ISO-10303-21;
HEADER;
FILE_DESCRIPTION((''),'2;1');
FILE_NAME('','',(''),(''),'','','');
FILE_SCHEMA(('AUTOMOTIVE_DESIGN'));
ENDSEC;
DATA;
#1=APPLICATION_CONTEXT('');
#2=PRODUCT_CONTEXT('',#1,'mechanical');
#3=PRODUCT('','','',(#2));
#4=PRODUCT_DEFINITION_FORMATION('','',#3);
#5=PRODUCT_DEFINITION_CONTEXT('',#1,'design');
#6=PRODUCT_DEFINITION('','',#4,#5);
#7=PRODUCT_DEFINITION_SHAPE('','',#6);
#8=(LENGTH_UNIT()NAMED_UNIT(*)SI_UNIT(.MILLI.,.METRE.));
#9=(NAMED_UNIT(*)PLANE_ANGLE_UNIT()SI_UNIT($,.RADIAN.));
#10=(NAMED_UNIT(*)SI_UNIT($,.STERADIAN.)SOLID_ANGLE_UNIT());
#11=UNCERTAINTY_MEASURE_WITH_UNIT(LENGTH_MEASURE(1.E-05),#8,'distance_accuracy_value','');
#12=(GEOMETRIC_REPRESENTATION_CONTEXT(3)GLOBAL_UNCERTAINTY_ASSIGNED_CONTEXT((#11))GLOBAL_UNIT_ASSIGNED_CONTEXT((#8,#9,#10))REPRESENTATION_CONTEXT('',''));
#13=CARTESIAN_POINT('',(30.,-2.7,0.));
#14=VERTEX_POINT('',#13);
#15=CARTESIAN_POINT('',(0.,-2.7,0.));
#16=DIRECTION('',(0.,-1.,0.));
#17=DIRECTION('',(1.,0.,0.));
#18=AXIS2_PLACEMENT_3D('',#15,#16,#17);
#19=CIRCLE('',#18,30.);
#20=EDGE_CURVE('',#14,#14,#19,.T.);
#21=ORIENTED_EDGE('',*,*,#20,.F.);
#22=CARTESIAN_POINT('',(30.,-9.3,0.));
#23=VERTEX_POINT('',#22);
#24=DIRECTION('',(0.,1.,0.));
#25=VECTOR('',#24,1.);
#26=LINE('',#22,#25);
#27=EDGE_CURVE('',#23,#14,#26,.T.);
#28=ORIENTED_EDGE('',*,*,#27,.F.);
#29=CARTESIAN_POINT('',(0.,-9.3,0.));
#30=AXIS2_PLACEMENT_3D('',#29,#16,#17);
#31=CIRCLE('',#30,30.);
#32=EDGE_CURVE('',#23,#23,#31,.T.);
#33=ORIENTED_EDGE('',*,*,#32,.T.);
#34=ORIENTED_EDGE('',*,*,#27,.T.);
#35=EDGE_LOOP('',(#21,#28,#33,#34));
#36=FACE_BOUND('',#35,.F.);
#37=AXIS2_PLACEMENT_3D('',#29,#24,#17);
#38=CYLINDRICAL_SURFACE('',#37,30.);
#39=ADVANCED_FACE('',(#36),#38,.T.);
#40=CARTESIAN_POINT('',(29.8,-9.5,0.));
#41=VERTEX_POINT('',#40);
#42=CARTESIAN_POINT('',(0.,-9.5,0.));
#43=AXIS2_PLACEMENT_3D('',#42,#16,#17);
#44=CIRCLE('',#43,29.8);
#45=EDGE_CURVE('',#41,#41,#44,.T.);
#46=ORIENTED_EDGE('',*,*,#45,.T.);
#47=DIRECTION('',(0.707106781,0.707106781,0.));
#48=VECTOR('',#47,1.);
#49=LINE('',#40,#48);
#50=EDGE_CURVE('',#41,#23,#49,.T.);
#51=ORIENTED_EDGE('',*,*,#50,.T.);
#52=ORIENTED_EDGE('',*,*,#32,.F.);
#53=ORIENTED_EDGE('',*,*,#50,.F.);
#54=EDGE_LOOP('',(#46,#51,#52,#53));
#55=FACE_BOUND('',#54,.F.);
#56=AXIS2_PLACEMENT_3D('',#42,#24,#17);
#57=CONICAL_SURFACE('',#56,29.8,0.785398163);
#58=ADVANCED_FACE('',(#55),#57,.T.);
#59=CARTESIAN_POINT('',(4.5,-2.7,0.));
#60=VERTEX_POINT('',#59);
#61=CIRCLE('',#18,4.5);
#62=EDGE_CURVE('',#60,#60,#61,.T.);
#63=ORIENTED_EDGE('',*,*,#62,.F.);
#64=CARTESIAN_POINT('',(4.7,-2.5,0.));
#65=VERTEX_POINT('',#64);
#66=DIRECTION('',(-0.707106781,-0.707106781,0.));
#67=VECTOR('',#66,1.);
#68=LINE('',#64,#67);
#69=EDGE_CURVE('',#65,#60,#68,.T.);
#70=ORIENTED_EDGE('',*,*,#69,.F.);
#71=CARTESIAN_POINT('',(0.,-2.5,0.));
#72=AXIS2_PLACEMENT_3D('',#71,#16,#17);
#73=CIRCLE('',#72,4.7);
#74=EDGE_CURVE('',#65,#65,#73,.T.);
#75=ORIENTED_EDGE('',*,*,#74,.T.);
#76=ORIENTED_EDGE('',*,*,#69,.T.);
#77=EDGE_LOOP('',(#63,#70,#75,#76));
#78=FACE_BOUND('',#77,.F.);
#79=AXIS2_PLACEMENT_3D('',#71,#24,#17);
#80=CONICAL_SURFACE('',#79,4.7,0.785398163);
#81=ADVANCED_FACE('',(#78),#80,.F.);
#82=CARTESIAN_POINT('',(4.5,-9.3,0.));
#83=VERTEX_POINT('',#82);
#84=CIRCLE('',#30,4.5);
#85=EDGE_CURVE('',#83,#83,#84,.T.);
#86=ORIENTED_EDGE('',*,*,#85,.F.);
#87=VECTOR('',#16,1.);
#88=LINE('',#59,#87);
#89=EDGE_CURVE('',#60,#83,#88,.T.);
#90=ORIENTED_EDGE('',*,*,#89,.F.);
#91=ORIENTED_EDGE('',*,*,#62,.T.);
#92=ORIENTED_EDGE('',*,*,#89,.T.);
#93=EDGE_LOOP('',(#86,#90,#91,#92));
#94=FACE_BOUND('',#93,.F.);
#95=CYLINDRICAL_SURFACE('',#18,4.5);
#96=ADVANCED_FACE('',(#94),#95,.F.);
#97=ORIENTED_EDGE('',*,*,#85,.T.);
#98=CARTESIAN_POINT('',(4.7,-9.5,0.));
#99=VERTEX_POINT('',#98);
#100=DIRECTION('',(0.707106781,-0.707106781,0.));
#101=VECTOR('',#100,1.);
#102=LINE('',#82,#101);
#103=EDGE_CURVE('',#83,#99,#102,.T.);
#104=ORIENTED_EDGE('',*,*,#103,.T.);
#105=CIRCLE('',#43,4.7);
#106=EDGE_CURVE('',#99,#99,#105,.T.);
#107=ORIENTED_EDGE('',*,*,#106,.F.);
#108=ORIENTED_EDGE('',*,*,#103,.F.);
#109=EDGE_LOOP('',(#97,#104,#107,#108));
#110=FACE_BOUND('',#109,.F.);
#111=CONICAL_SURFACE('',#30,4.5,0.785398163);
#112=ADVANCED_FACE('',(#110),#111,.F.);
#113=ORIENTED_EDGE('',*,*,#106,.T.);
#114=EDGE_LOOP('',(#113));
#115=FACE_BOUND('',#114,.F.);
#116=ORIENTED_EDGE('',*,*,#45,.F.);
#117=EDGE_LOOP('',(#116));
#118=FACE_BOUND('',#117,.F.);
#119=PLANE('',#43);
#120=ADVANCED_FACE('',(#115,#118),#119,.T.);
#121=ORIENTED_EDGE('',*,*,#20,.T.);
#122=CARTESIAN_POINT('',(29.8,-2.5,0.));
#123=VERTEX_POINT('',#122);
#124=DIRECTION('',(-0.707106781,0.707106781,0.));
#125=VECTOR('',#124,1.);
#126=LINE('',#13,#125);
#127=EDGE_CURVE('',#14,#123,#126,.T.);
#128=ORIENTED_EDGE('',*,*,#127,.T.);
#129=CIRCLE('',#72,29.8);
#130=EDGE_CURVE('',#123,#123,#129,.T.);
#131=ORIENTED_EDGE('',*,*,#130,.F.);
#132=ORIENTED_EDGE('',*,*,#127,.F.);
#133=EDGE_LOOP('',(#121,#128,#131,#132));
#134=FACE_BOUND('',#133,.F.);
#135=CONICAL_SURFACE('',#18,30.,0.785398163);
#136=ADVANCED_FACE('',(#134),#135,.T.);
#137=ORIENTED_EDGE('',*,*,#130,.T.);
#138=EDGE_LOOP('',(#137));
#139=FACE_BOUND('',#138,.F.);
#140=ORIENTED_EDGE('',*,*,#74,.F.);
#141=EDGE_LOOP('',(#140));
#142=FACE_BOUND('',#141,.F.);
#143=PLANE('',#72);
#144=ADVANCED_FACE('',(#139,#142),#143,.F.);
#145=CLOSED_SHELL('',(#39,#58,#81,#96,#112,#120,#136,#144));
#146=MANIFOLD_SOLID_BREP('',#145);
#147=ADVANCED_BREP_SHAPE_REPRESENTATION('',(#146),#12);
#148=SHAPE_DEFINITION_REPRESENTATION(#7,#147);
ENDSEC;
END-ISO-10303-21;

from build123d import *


with BuildPart() as part:
    # Sketch1 → Revolve1 (revolve)
    with BuildSketch(Plane.XY):
        Polygon((4.7, -9.5), (29.8, -9.5), (30, -9.3), (30, -2.7), (29.8, -2.5), (4.7, -2.5), (4.5, -2.7), (4.5, -9.3), align=None)
    revolve(axis=Axis((0, 9.5, 0), (0, -1, 0)))


solid = part.part
